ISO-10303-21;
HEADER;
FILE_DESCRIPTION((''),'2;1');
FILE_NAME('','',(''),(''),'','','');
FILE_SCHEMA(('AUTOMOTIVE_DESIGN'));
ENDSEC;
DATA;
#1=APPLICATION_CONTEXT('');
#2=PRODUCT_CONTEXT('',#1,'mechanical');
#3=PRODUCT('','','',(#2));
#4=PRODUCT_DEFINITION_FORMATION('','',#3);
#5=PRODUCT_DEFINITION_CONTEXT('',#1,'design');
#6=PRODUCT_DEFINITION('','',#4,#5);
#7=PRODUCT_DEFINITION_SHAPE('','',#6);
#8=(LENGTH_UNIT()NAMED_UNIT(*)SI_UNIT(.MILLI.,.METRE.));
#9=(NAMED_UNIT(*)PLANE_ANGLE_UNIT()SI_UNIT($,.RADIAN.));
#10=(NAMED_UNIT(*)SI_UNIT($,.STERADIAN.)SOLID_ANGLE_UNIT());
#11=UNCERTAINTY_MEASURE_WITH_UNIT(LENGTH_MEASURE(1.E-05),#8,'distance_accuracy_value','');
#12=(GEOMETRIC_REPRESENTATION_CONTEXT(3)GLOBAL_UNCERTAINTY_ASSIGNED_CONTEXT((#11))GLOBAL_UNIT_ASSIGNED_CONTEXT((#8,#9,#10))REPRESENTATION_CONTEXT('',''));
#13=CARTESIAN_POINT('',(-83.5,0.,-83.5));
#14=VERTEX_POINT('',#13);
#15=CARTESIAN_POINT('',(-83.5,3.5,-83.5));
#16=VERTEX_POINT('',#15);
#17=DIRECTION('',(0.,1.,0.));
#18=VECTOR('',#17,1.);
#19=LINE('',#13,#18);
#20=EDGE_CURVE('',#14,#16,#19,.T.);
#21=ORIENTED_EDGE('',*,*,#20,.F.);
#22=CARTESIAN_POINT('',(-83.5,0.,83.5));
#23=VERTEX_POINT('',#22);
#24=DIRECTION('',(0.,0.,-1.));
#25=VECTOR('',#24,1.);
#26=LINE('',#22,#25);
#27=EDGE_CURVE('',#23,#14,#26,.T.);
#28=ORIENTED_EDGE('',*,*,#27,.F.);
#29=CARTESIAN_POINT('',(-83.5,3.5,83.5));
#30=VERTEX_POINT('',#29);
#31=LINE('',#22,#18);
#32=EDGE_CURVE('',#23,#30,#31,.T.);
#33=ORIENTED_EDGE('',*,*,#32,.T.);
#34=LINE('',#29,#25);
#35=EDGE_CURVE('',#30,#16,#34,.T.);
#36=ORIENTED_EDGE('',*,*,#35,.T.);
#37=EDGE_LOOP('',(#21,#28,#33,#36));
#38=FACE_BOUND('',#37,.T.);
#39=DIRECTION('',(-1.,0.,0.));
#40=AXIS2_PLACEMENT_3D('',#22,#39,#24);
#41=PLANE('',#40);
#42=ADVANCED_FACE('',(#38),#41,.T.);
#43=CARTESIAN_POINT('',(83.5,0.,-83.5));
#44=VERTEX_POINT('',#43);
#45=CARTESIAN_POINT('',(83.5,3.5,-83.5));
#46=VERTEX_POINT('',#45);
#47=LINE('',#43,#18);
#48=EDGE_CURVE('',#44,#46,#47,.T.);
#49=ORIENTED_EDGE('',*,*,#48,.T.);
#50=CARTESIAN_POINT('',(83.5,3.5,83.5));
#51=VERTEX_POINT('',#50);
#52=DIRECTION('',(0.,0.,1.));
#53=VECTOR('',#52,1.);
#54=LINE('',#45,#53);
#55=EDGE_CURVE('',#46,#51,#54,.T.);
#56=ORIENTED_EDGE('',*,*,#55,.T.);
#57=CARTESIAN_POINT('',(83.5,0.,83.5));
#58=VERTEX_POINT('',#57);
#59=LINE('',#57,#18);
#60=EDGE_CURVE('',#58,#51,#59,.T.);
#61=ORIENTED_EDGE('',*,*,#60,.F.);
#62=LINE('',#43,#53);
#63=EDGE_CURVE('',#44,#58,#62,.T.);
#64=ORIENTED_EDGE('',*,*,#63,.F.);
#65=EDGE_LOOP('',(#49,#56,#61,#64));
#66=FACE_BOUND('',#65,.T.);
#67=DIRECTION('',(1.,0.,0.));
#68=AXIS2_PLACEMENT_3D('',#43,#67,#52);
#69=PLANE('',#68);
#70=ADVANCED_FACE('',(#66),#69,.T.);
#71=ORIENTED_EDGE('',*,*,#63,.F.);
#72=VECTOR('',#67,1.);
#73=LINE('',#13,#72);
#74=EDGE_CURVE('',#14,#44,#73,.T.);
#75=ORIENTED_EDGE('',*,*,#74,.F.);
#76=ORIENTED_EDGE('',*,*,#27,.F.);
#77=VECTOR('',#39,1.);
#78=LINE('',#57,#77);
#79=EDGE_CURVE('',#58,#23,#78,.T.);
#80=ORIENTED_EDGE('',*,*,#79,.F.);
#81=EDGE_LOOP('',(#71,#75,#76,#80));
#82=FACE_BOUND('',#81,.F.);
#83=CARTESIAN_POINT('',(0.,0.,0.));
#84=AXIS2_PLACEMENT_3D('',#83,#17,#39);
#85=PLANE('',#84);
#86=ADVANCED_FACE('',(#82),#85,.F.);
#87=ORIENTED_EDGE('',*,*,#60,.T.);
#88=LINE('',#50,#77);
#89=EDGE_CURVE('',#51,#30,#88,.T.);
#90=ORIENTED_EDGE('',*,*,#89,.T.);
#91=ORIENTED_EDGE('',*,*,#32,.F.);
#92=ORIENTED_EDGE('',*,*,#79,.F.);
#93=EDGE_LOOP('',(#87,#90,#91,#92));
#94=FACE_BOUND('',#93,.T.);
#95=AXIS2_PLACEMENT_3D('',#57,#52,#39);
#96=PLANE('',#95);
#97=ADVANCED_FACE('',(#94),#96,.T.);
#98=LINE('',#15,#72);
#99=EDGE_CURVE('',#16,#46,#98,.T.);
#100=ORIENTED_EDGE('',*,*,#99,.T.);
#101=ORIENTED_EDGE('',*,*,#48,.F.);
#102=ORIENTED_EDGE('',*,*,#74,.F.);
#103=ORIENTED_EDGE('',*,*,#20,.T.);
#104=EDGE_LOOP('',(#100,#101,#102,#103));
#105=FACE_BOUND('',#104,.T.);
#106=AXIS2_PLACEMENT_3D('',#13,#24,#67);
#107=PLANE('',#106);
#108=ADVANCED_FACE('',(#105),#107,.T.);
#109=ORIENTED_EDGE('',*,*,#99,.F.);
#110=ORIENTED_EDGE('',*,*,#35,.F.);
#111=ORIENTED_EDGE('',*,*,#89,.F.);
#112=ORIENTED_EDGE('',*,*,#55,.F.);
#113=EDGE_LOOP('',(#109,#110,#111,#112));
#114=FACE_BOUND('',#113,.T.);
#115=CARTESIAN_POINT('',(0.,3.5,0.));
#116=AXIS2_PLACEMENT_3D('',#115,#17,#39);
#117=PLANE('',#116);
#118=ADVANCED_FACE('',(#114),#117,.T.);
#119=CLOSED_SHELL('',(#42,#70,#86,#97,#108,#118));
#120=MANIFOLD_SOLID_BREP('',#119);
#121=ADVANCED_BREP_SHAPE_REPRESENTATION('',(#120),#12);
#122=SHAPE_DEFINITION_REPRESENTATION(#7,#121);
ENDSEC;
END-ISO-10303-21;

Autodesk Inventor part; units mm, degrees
ref_plane "YZ Plane" through (0, 0, 0) normal (1, 0, 0) x (0, 1, 0)
ref_plane "XZ Plane" through (0, 0, 0) normal (0, 1, 0) x (-1, 0, 0)
ref_plane "XY Plane" through (0, 0, 0) normal (0, 0, 1) x (1, 0, 0)
sketch "Sketch1" plane through (0, 0, 0) normal (0, 1, 0) x (-1, 0, 0)
  line L0 (83.5, -83.5) -> (-83.5, -83.5)
  line L1 (-83.5, -83.5) -> (-83.5, 83.5)
  line L2 (-83.5, 83.5) -> (83.5, 83.5)
  line L3 (83.5, 83.5) -> (83.5, -83.5)
  line L4 (83.5, -83.5) -> (-83.5, 83.5) construction
  line L5 (-83.5, -83.5) -> (83.5, 83.5) construction
  point P0 (0, 0)
  dimension "d6" = 167
  dimension "d7" = 167
extrude "Extrusion3" add sketch "Sketch1" along normal blind 3.5
sketch "Maze Layout" plane through (0, 3.5, 0) normal (0, 1, 0) x (1, 0, 0)
  line L0 (83.5, 83.5) -> (-83.5, 83.5) construction
  line L1 (83.5, -83.5) -> (83.5, 83.5) construction
  line L2 (-83.5, 83.5) -> (83.5, 83.5) construction
  line L3 (83.5, 83.5) -> (83.5, -83.5) construction
  line L4 (-80.5, -80.5) -> (80.5, -80.5) construction
  line L5 (80.5, -80.5) -> (80.5, 80.5) construction
  line L6 (80.5, 80.5) -> (-80.5, 80.5) construction
  line L7 (-80.5, 80.5) -> (-80.5, -80.5) construction
  line L8 (-80.5, -80.5) -> (-83.5, -80.5) construction
  line L9 (-83.5, -80.5) -> (-80.5, -80.5) construction
  line L10 (-80.5, -80.5) -> (-80.5, -83.5) construction
  line L11 (-83.5, -80.5) -> (-83.5, 80.5) construction
  line L12 (-83.5, 83.5) -> (-83.5, -83.5) construction
  line L13 (-83.5, 80.5) -> (-80.5, 80.5) construction
  line L14 (-60, 80.5) -> (-60, -80.5) construction
  line L15 (-63, -80.5) -> (-63, 80.5) construction
  line L16 (-63, 80.5) -> (-60, 80.5) construction
  line L17 (-60, -80.5) -> (-63, -80.5) construction
  line L18 (-39.5, 80.5) -> (-39.5, -80.5) construction
  line L19 (-42.5, -80.5) -> (-42.5, 80.5) construction
  line L20 (-42.5, 80.5) -> (-39.5, 80.5) construction
  line L21 (-39.5, -80.5) -> (-42.5, -80.5) construction
  line L22 (-19, 80.5) -> (-19, -80.5) construction
  line L23 (-22, -80.5) -> (-22, 80.5) construction
  line L24 (-22, 80.5) -> (-19, 80.5) construction
  line L25 (-19, -80.5) -> (-22, -80.5) construction
  line L26 (1.5, 80.5) -> (1.5, -80.5) construction
  line L27 (-1.5, -80.5) -> (-1.5, 80.5) construction
  line L28 (-1.5, 80.5) -> (1.5, 80.5) construction
  line L29 (1.5, -80.5) -> (-1.5, -80.5) construction
  line L30 (22, 80.5) -> (22, -80.5) construction
  line L31 (19, -80.5) -> (19, 80.5) construction
  line L32 (19, 80.5) -> (22, 80.5) construction
  line L33 (22, -80.5) -> (19, -80.5) construction
  line L34 (42.5, 80.5) -> (42.5, -80.5) construction
  line L35 (39.5, -80.5) -> (39.5, 80.5) construction
  line L36 (39.5, 80.5) -> (42.5, 80.5) construction
  line L37 (42.5, -80.5) -> (39.5, -80.5) construction
  line L38 (63, 80.5) -> (63, -80.5) construction
  line L39 (60, -80.5) -> (60, 80.5) construction
  line L40 (60, 80.5) -> (63, 80.5) construction
  line L41 (63, -80.5) -> (60, -80.5) construction
  line L42 (-80.5, -83.5) -> (80.5, -83.5) construction
  line L43 (80.5, -83.5) -> (80.5, -80.5) construction
  line L44 (-80.5, -60) -> (-80.5, -63) construction
  line L45 (-80.5, -60) -> (80.5, -60) construction
  line L46 (-80.5, -63) -> (80.5, -63) construction
  line L47 (80.5, -63) -> (80.5, -60) construction
  line L48 (-80.5, -39.5) -> (-80.5, -42.5) construction
  line L49 (-80.5, -39.5) -> (80.5, -39.5) construction
  line L50 (-80.5, -42.5) -> (80.5, -42.5) construction
  line L51 (80.5, -42.5) -> (80.5, -39.5) construction
  line L52 (-80.5, -19) -> (-80.5, -22) construction
  line L53 (-80.5, -19) -> (80.5, -19) construction
  line L54 (-80.5, -22) -> (80.5, -22) construction
  line L55 (80.5, -22) -> (80.5, -19) construction
  line L56 (-80.5, 1.5) -> (-80.5, -1.5) construction
  line L57 (-80.5, 1.5) -> (80.5, 1.5) construction
  line L58 (-80.5, -1.5) -> (80.5, -1.5) construction
  line L59 (80.5, -1.5) -> (80.5, 1.5) construction
  line L60 (-80.5, 22) -> (-80.5, 19) construction
  line L61 (-80.5, 22) -> (80.5, 22) construction
  line L62 (-80.5, 19) -> (80.5, 19) construction
  line L63 (80.5, 19) -> (80.5, 22) construction
  line L64 (-80.5, 42.5) -> (-80.5, 39.5) construction
  line L65 (-80.5, 42.5) -> (80.5, 42.5) construction
  line L66 (-80.5, 39.5) -> (80.5, 39.5) construction
  line L67 (80.5, 39.5) -> (80.5, 42.5) construction
  line L68 (-80.5, 63) -> (-80.5, 60) construction
  line L69 (-80.5, 63) -> (80.5, 63) construction
  line L70 (-80.5, 60) -> (80.5, 60) construction
  line L71 (80.5, 60) -> (80.5, 63) construction
  line L72 (42.5, 80.5) -> (39.5, 80.5)
  line L73 (22, 80.5) -> (19, 80.5)
  line L74 (-22, 80.5) -> (-19, 80.5)
  line L75 (-80.5, 60) -> (-80.5, 63)
  line L76 (80.5, 60) -> (80.5, 63)
  line L77 (80.5, 1.5) -> (80.5, -1.5)
  line L78 (63, -80.5) -> (60, -80.5)
  line L79 (22, -80.5) -> (19, -80.5)
  line L80 (-39.5, -80.5) -> (-42.5, -80.5)
  line L81 (-80.5, -60) -> (-80.5, -63)
  line L82 (-80.5, -19) -> (-80.5, -22)
  line L83 (83.5, -83.5) -> (-83.5, -83.5)
  line L84 (-83.5, -83.5) -> (-83.5, 83.5)
  line L85 (-83.5, 83.5) -> (83.5, 83.5)
  line L86 (83.5, 83.5) -> (83.5, -83.5)
  line L87 (-80.5, 80.5) -> (80.5, 80.5)
  line L88 (80.5, 80.5) -> (80.5, -80.5)
  line L89 (80.5, -80.5) -> (-80.5, -80.5)
  line L90 (-80.5, -80.5) -> (-80.5, 80.5)
  dimension "d25" = 20.5
  dimension "d32" = 20.5
properties part number "Marble Maze Template"
